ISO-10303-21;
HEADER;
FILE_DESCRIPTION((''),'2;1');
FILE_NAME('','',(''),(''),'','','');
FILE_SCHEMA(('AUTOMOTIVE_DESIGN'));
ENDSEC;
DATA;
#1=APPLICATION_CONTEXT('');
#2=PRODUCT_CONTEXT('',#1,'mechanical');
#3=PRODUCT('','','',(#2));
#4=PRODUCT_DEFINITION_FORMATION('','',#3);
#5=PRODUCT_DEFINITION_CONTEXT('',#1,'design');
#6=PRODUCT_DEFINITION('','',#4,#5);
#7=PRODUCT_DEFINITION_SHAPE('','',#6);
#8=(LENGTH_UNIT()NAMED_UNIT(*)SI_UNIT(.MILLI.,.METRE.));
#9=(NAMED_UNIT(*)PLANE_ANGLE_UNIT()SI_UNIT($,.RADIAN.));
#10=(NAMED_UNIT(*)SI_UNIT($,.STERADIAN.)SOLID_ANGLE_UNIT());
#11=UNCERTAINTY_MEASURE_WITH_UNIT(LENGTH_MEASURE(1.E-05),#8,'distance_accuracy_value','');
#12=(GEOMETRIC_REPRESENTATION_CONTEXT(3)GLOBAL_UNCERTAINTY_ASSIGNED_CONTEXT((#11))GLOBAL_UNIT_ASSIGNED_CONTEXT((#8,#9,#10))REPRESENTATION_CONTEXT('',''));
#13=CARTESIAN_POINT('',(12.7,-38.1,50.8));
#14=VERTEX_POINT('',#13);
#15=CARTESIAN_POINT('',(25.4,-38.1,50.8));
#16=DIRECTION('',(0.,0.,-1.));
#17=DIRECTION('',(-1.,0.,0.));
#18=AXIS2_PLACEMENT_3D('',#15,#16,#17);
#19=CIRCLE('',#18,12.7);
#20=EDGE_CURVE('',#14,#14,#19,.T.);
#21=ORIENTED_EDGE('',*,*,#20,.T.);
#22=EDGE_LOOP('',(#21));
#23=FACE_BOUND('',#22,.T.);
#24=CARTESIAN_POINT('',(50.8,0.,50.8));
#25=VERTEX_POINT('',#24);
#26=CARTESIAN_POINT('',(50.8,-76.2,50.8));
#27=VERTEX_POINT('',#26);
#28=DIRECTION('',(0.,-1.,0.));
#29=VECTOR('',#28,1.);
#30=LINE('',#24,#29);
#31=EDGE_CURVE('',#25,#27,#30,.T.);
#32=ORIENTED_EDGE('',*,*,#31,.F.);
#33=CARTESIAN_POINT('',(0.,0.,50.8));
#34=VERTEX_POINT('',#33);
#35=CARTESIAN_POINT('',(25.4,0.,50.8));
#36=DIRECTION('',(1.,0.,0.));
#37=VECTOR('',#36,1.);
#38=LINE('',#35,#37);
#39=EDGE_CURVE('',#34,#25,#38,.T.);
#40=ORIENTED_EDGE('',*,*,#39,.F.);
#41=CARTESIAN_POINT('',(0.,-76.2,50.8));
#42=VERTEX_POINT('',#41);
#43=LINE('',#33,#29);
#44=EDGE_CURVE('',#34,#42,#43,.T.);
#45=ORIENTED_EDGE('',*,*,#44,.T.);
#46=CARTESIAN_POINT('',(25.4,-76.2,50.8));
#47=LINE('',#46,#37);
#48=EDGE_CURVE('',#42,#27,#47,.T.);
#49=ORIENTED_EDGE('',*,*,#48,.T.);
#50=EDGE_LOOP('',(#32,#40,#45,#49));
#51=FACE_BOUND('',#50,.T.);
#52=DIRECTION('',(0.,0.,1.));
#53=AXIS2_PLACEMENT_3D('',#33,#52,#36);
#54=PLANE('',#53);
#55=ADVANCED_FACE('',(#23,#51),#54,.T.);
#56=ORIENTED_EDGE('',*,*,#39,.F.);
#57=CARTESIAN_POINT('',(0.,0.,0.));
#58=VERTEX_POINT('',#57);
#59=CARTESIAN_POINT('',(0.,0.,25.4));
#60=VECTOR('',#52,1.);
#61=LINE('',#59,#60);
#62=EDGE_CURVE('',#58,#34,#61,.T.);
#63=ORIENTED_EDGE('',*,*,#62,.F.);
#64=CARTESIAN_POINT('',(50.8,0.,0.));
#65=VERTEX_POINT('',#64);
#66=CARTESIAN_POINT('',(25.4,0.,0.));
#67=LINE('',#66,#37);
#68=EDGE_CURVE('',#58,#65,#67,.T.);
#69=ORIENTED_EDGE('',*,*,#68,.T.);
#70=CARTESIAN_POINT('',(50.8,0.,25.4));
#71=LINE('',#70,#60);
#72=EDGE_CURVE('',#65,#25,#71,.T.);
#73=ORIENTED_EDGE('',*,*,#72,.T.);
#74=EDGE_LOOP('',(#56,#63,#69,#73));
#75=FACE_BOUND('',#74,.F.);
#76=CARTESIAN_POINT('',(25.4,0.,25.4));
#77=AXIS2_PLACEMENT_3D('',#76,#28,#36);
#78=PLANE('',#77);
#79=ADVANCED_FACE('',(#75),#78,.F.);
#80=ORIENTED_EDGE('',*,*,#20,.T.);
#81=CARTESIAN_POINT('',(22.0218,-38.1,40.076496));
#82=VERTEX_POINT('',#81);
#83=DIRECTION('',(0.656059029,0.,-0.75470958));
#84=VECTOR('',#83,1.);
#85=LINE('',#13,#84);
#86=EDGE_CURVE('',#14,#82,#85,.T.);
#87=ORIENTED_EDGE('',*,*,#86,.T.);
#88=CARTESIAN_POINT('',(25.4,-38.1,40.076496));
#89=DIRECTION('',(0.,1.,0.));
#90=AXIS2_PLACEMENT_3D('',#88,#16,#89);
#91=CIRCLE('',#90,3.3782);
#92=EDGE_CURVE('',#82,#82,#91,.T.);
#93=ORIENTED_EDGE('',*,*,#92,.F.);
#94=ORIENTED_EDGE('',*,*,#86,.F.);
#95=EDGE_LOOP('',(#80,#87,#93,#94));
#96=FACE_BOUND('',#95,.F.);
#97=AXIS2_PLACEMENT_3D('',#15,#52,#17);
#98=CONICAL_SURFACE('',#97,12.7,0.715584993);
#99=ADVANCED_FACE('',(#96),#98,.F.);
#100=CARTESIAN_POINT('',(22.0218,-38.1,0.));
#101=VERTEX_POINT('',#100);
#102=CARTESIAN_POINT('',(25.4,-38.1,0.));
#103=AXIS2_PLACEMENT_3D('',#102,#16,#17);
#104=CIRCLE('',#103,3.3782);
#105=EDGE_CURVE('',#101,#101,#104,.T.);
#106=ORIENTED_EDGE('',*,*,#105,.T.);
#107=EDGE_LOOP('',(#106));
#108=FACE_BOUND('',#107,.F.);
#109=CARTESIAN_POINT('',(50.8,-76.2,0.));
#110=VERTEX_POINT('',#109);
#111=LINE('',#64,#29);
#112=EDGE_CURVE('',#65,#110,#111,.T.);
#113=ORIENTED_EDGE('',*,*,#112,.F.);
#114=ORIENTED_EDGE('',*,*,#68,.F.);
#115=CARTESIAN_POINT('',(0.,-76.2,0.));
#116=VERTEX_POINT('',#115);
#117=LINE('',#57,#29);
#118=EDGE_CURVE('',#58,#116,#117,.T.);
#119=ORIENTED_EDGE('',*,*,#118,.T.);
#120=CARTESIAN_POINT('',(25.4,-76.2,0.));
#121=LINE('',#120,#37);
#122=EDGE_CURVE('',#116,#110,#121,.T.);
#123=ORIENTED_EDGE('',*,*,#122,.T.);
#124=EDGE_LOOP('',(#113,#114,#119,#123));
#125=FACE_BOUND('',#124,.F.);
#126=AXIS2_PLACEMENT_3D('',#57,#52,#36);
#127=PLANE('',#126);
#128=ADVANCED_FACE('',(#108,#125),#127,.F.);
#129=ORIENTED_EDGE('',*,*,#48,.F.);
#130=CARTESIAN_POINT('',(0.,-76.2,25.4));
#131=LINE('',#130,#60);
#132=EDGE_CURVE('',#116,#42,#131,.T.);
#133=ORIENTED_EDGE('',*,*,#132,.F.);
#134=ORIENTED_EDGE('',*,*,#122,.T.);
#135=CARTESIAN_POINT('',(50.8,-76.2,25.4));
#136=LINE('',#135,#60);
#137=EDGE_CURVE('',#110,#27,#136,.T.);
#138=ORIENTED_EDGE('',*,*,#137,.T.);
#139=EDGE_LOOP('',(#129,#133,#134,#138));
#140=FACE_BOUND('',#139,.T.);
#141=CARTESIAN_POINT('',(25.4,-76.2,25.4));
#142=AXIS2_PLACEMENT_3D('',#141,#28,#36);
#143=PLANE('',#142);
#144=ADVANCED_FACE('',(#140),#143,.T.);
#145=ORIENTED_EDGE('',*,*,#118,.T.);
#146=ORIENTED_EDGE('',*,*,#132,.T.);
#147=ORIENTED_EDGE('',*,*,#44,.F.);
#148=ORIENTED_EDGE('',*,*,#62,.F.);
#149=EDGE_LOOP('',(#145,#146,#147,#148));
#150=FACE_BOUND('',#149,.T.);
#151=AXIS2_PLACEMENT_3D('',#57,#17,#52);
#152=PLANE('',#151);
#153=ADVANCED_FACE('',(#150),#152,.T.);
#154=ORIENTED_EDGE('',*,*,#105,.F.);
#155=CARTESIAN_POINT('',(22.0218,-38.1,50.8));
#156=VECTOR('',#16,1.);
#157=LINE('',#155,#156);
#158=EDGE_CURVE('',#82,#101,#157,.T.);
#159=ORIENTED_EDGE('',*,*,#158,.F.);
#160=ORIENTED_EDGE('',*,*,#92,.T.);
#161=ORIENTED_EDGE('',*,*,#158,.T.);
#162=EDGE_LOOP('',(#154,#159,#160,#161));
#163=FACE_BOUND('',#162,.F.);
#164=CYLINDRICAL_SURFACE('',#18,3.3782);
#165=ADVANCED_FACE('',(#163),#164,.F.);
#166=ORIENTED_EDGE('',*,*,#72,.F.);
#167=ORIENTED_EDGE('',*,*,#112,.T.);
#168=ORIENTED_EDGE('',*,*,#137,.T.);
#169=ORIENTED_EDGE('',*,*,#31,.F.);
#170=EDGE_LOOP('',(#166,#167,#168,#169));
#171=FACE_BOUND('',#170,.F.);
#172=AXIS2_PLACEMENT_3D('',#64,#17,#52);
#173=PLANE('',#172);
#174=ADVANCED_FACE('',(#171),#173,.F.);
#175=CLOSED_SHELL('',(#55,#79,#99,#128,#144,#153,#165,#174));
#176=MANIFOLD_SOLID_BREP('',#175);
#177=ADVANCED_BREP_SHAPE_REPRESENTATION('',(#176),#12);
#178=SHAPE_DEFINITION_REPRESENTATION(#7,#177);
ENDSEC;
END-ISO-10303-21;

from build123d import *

# Parameters (mm, degrees)
F0_W           = 50.8
F0_H           = 50.8
F1_DEPTH       = 76.2
F3_D           = 6.7564
F3_CSINK_D     = 25.4
F3_CSINK_ANGLE = 82


with BuildPart() as f1:
    # F0 (on Front) → F1 (new body)
    with BuildSketch(Plane.XZ):
        with Locations((25.4, 25.4)):
            Rectangle(F0_W, F0_H)
    extrude(amount=F1_DEPTH)

    # F3 (through all)
    with Locations(Plane.XY.offset(50.8)):
        with Locations((25.4, -38.1)):
            CounterSinkHole(F3_D / 2, F3_CSINK_D / 2, counter_sink_angle=F3_CSINK_ANGLE)


solid = f1.part
